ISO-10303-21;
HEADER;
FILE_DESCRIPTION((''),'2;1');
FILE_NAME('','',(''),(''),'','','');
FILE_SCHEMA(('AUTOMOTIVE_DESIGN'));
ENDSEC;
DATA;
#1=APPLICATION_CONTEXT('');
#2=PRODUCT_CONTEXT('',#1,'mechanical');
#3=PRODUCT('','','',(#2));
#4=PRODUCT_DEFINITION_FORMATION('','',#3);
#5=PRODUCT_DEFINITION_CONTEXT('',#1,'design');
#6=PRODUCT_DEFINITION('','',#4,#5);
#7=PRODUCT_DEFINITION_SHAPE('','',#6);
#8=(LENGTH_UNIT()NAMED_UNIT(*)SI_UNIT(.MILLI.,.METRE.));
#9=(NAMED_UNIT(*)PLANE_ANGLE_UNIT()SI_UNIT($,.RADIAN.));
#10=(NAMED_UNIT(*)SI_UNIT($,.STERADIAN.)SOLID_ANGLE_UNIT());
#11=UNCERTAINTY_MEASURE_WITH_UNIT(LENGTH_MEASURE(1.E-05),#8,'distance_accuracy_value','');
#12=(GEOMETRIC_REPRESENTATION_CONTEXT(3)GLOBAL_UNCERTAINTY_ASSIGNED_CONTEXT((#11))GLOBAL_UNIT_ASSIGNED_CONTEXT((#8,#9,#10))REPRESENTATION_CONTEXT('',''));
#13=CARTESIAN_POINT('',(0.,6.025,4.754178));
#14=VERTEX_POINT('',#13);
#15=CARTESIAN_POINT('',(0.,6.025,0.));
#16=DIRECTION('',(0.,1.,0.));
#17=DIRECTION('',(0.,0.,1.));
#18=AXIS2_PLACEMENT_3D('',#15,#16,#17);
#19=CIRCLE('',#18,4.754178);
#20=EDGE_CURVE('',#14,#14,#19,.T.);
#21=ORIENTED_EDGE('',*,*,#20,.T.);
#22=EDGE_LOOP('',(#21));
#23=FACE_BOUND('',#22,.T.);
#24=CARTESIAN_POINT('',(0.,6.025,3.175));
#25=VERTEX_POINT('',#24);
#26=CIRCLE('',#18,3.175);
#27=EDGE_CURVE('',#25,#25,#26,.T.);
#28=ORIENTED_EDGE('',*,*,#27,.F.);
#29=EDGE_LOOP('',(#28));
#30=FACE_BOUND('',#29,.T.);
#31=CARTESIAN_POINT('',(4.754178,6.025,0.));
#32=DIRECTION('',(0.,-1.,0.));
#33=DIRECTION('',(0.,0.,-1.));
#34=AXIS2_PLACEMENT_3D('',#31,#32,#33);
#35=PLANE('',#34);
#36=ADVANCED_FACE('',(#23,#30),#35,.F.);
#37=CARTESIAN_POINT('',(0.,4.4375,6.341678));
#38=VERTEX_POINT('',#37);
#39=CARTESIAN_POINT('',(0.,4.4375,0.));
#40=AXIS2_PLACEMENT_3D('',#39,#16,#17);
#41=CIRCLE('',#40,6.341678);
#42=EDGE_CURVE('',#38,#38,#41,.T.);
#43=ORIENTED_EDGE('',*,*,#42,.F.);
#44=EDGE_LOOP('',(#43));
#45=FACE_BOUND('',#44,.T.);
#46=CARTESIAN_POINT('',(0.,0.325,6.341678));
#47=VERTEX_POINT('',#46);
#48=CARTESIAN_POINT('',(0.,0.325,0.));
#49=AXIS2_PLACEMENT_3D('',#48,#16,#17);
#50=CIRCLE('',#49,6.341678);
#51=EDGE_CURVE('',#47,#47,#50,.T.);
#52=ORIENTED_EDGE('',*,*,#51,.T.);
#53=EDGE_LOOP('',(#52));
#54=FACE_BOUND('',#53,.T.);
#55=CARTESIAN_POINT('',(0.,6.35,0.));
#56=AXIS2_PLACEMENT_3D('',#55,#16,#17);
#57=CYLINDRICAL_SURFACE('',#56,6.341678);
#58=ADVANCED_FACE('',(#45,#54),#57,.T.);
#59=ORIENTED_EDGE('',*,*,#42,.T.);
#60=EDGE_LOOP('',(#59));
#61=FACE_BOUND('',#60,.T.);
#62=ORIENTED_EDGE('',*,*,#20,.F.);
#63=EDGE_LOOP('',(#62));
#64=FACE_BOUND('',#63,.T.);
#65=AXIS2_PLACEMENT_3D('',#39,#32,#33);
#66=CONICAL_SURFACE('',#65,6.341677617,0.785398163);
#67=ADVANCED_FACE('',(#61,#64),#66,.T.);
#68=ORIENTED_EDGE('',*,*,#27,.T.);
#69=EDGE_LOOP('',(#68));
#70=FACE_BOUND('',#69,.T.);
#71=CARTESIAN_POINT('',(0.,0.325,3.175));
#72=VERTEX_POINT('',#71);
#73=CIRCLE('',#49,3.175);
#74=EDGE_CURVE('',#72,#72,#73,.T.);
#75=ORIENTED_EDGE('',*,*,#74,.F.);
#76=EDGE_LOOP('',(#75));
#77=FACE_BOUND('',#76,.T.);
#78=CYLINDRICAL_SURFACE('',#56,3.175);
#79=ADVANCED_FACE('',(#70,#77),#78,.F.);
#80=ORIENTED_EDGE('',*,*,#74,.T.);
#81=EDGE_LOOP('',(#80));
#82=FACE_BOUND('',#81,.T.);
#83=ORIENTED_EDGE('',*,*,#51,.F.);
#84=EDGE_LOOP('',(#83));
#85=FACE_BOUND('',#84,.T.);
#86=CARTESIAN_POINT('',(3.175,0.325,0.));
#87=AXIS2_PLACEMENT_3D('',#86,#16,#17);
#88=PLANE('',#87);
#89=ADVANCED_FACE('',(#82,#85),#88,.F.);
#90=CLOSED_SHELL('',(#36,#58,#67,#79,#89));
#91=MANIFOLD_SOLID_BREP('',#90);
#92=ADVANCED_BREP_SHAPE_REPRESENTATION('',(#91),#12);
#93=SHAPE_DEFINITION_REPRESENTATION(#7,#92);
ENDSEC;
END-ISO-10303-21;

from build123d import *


with BuildPart() as part:
    # Sketch1 → Revolve1 (revolve)
    with BuildSketch(Plane.XY):
        Polygon((3.175, 0.325), (6.341677617, 0.325), (6.341677617, 4.4375), (4.754177617, 6.025), (3.175, 6.025), align=None)
    revolve(axis=Axis((0, 6.35, 0), (0, -1, 0)))


solid = part.part
